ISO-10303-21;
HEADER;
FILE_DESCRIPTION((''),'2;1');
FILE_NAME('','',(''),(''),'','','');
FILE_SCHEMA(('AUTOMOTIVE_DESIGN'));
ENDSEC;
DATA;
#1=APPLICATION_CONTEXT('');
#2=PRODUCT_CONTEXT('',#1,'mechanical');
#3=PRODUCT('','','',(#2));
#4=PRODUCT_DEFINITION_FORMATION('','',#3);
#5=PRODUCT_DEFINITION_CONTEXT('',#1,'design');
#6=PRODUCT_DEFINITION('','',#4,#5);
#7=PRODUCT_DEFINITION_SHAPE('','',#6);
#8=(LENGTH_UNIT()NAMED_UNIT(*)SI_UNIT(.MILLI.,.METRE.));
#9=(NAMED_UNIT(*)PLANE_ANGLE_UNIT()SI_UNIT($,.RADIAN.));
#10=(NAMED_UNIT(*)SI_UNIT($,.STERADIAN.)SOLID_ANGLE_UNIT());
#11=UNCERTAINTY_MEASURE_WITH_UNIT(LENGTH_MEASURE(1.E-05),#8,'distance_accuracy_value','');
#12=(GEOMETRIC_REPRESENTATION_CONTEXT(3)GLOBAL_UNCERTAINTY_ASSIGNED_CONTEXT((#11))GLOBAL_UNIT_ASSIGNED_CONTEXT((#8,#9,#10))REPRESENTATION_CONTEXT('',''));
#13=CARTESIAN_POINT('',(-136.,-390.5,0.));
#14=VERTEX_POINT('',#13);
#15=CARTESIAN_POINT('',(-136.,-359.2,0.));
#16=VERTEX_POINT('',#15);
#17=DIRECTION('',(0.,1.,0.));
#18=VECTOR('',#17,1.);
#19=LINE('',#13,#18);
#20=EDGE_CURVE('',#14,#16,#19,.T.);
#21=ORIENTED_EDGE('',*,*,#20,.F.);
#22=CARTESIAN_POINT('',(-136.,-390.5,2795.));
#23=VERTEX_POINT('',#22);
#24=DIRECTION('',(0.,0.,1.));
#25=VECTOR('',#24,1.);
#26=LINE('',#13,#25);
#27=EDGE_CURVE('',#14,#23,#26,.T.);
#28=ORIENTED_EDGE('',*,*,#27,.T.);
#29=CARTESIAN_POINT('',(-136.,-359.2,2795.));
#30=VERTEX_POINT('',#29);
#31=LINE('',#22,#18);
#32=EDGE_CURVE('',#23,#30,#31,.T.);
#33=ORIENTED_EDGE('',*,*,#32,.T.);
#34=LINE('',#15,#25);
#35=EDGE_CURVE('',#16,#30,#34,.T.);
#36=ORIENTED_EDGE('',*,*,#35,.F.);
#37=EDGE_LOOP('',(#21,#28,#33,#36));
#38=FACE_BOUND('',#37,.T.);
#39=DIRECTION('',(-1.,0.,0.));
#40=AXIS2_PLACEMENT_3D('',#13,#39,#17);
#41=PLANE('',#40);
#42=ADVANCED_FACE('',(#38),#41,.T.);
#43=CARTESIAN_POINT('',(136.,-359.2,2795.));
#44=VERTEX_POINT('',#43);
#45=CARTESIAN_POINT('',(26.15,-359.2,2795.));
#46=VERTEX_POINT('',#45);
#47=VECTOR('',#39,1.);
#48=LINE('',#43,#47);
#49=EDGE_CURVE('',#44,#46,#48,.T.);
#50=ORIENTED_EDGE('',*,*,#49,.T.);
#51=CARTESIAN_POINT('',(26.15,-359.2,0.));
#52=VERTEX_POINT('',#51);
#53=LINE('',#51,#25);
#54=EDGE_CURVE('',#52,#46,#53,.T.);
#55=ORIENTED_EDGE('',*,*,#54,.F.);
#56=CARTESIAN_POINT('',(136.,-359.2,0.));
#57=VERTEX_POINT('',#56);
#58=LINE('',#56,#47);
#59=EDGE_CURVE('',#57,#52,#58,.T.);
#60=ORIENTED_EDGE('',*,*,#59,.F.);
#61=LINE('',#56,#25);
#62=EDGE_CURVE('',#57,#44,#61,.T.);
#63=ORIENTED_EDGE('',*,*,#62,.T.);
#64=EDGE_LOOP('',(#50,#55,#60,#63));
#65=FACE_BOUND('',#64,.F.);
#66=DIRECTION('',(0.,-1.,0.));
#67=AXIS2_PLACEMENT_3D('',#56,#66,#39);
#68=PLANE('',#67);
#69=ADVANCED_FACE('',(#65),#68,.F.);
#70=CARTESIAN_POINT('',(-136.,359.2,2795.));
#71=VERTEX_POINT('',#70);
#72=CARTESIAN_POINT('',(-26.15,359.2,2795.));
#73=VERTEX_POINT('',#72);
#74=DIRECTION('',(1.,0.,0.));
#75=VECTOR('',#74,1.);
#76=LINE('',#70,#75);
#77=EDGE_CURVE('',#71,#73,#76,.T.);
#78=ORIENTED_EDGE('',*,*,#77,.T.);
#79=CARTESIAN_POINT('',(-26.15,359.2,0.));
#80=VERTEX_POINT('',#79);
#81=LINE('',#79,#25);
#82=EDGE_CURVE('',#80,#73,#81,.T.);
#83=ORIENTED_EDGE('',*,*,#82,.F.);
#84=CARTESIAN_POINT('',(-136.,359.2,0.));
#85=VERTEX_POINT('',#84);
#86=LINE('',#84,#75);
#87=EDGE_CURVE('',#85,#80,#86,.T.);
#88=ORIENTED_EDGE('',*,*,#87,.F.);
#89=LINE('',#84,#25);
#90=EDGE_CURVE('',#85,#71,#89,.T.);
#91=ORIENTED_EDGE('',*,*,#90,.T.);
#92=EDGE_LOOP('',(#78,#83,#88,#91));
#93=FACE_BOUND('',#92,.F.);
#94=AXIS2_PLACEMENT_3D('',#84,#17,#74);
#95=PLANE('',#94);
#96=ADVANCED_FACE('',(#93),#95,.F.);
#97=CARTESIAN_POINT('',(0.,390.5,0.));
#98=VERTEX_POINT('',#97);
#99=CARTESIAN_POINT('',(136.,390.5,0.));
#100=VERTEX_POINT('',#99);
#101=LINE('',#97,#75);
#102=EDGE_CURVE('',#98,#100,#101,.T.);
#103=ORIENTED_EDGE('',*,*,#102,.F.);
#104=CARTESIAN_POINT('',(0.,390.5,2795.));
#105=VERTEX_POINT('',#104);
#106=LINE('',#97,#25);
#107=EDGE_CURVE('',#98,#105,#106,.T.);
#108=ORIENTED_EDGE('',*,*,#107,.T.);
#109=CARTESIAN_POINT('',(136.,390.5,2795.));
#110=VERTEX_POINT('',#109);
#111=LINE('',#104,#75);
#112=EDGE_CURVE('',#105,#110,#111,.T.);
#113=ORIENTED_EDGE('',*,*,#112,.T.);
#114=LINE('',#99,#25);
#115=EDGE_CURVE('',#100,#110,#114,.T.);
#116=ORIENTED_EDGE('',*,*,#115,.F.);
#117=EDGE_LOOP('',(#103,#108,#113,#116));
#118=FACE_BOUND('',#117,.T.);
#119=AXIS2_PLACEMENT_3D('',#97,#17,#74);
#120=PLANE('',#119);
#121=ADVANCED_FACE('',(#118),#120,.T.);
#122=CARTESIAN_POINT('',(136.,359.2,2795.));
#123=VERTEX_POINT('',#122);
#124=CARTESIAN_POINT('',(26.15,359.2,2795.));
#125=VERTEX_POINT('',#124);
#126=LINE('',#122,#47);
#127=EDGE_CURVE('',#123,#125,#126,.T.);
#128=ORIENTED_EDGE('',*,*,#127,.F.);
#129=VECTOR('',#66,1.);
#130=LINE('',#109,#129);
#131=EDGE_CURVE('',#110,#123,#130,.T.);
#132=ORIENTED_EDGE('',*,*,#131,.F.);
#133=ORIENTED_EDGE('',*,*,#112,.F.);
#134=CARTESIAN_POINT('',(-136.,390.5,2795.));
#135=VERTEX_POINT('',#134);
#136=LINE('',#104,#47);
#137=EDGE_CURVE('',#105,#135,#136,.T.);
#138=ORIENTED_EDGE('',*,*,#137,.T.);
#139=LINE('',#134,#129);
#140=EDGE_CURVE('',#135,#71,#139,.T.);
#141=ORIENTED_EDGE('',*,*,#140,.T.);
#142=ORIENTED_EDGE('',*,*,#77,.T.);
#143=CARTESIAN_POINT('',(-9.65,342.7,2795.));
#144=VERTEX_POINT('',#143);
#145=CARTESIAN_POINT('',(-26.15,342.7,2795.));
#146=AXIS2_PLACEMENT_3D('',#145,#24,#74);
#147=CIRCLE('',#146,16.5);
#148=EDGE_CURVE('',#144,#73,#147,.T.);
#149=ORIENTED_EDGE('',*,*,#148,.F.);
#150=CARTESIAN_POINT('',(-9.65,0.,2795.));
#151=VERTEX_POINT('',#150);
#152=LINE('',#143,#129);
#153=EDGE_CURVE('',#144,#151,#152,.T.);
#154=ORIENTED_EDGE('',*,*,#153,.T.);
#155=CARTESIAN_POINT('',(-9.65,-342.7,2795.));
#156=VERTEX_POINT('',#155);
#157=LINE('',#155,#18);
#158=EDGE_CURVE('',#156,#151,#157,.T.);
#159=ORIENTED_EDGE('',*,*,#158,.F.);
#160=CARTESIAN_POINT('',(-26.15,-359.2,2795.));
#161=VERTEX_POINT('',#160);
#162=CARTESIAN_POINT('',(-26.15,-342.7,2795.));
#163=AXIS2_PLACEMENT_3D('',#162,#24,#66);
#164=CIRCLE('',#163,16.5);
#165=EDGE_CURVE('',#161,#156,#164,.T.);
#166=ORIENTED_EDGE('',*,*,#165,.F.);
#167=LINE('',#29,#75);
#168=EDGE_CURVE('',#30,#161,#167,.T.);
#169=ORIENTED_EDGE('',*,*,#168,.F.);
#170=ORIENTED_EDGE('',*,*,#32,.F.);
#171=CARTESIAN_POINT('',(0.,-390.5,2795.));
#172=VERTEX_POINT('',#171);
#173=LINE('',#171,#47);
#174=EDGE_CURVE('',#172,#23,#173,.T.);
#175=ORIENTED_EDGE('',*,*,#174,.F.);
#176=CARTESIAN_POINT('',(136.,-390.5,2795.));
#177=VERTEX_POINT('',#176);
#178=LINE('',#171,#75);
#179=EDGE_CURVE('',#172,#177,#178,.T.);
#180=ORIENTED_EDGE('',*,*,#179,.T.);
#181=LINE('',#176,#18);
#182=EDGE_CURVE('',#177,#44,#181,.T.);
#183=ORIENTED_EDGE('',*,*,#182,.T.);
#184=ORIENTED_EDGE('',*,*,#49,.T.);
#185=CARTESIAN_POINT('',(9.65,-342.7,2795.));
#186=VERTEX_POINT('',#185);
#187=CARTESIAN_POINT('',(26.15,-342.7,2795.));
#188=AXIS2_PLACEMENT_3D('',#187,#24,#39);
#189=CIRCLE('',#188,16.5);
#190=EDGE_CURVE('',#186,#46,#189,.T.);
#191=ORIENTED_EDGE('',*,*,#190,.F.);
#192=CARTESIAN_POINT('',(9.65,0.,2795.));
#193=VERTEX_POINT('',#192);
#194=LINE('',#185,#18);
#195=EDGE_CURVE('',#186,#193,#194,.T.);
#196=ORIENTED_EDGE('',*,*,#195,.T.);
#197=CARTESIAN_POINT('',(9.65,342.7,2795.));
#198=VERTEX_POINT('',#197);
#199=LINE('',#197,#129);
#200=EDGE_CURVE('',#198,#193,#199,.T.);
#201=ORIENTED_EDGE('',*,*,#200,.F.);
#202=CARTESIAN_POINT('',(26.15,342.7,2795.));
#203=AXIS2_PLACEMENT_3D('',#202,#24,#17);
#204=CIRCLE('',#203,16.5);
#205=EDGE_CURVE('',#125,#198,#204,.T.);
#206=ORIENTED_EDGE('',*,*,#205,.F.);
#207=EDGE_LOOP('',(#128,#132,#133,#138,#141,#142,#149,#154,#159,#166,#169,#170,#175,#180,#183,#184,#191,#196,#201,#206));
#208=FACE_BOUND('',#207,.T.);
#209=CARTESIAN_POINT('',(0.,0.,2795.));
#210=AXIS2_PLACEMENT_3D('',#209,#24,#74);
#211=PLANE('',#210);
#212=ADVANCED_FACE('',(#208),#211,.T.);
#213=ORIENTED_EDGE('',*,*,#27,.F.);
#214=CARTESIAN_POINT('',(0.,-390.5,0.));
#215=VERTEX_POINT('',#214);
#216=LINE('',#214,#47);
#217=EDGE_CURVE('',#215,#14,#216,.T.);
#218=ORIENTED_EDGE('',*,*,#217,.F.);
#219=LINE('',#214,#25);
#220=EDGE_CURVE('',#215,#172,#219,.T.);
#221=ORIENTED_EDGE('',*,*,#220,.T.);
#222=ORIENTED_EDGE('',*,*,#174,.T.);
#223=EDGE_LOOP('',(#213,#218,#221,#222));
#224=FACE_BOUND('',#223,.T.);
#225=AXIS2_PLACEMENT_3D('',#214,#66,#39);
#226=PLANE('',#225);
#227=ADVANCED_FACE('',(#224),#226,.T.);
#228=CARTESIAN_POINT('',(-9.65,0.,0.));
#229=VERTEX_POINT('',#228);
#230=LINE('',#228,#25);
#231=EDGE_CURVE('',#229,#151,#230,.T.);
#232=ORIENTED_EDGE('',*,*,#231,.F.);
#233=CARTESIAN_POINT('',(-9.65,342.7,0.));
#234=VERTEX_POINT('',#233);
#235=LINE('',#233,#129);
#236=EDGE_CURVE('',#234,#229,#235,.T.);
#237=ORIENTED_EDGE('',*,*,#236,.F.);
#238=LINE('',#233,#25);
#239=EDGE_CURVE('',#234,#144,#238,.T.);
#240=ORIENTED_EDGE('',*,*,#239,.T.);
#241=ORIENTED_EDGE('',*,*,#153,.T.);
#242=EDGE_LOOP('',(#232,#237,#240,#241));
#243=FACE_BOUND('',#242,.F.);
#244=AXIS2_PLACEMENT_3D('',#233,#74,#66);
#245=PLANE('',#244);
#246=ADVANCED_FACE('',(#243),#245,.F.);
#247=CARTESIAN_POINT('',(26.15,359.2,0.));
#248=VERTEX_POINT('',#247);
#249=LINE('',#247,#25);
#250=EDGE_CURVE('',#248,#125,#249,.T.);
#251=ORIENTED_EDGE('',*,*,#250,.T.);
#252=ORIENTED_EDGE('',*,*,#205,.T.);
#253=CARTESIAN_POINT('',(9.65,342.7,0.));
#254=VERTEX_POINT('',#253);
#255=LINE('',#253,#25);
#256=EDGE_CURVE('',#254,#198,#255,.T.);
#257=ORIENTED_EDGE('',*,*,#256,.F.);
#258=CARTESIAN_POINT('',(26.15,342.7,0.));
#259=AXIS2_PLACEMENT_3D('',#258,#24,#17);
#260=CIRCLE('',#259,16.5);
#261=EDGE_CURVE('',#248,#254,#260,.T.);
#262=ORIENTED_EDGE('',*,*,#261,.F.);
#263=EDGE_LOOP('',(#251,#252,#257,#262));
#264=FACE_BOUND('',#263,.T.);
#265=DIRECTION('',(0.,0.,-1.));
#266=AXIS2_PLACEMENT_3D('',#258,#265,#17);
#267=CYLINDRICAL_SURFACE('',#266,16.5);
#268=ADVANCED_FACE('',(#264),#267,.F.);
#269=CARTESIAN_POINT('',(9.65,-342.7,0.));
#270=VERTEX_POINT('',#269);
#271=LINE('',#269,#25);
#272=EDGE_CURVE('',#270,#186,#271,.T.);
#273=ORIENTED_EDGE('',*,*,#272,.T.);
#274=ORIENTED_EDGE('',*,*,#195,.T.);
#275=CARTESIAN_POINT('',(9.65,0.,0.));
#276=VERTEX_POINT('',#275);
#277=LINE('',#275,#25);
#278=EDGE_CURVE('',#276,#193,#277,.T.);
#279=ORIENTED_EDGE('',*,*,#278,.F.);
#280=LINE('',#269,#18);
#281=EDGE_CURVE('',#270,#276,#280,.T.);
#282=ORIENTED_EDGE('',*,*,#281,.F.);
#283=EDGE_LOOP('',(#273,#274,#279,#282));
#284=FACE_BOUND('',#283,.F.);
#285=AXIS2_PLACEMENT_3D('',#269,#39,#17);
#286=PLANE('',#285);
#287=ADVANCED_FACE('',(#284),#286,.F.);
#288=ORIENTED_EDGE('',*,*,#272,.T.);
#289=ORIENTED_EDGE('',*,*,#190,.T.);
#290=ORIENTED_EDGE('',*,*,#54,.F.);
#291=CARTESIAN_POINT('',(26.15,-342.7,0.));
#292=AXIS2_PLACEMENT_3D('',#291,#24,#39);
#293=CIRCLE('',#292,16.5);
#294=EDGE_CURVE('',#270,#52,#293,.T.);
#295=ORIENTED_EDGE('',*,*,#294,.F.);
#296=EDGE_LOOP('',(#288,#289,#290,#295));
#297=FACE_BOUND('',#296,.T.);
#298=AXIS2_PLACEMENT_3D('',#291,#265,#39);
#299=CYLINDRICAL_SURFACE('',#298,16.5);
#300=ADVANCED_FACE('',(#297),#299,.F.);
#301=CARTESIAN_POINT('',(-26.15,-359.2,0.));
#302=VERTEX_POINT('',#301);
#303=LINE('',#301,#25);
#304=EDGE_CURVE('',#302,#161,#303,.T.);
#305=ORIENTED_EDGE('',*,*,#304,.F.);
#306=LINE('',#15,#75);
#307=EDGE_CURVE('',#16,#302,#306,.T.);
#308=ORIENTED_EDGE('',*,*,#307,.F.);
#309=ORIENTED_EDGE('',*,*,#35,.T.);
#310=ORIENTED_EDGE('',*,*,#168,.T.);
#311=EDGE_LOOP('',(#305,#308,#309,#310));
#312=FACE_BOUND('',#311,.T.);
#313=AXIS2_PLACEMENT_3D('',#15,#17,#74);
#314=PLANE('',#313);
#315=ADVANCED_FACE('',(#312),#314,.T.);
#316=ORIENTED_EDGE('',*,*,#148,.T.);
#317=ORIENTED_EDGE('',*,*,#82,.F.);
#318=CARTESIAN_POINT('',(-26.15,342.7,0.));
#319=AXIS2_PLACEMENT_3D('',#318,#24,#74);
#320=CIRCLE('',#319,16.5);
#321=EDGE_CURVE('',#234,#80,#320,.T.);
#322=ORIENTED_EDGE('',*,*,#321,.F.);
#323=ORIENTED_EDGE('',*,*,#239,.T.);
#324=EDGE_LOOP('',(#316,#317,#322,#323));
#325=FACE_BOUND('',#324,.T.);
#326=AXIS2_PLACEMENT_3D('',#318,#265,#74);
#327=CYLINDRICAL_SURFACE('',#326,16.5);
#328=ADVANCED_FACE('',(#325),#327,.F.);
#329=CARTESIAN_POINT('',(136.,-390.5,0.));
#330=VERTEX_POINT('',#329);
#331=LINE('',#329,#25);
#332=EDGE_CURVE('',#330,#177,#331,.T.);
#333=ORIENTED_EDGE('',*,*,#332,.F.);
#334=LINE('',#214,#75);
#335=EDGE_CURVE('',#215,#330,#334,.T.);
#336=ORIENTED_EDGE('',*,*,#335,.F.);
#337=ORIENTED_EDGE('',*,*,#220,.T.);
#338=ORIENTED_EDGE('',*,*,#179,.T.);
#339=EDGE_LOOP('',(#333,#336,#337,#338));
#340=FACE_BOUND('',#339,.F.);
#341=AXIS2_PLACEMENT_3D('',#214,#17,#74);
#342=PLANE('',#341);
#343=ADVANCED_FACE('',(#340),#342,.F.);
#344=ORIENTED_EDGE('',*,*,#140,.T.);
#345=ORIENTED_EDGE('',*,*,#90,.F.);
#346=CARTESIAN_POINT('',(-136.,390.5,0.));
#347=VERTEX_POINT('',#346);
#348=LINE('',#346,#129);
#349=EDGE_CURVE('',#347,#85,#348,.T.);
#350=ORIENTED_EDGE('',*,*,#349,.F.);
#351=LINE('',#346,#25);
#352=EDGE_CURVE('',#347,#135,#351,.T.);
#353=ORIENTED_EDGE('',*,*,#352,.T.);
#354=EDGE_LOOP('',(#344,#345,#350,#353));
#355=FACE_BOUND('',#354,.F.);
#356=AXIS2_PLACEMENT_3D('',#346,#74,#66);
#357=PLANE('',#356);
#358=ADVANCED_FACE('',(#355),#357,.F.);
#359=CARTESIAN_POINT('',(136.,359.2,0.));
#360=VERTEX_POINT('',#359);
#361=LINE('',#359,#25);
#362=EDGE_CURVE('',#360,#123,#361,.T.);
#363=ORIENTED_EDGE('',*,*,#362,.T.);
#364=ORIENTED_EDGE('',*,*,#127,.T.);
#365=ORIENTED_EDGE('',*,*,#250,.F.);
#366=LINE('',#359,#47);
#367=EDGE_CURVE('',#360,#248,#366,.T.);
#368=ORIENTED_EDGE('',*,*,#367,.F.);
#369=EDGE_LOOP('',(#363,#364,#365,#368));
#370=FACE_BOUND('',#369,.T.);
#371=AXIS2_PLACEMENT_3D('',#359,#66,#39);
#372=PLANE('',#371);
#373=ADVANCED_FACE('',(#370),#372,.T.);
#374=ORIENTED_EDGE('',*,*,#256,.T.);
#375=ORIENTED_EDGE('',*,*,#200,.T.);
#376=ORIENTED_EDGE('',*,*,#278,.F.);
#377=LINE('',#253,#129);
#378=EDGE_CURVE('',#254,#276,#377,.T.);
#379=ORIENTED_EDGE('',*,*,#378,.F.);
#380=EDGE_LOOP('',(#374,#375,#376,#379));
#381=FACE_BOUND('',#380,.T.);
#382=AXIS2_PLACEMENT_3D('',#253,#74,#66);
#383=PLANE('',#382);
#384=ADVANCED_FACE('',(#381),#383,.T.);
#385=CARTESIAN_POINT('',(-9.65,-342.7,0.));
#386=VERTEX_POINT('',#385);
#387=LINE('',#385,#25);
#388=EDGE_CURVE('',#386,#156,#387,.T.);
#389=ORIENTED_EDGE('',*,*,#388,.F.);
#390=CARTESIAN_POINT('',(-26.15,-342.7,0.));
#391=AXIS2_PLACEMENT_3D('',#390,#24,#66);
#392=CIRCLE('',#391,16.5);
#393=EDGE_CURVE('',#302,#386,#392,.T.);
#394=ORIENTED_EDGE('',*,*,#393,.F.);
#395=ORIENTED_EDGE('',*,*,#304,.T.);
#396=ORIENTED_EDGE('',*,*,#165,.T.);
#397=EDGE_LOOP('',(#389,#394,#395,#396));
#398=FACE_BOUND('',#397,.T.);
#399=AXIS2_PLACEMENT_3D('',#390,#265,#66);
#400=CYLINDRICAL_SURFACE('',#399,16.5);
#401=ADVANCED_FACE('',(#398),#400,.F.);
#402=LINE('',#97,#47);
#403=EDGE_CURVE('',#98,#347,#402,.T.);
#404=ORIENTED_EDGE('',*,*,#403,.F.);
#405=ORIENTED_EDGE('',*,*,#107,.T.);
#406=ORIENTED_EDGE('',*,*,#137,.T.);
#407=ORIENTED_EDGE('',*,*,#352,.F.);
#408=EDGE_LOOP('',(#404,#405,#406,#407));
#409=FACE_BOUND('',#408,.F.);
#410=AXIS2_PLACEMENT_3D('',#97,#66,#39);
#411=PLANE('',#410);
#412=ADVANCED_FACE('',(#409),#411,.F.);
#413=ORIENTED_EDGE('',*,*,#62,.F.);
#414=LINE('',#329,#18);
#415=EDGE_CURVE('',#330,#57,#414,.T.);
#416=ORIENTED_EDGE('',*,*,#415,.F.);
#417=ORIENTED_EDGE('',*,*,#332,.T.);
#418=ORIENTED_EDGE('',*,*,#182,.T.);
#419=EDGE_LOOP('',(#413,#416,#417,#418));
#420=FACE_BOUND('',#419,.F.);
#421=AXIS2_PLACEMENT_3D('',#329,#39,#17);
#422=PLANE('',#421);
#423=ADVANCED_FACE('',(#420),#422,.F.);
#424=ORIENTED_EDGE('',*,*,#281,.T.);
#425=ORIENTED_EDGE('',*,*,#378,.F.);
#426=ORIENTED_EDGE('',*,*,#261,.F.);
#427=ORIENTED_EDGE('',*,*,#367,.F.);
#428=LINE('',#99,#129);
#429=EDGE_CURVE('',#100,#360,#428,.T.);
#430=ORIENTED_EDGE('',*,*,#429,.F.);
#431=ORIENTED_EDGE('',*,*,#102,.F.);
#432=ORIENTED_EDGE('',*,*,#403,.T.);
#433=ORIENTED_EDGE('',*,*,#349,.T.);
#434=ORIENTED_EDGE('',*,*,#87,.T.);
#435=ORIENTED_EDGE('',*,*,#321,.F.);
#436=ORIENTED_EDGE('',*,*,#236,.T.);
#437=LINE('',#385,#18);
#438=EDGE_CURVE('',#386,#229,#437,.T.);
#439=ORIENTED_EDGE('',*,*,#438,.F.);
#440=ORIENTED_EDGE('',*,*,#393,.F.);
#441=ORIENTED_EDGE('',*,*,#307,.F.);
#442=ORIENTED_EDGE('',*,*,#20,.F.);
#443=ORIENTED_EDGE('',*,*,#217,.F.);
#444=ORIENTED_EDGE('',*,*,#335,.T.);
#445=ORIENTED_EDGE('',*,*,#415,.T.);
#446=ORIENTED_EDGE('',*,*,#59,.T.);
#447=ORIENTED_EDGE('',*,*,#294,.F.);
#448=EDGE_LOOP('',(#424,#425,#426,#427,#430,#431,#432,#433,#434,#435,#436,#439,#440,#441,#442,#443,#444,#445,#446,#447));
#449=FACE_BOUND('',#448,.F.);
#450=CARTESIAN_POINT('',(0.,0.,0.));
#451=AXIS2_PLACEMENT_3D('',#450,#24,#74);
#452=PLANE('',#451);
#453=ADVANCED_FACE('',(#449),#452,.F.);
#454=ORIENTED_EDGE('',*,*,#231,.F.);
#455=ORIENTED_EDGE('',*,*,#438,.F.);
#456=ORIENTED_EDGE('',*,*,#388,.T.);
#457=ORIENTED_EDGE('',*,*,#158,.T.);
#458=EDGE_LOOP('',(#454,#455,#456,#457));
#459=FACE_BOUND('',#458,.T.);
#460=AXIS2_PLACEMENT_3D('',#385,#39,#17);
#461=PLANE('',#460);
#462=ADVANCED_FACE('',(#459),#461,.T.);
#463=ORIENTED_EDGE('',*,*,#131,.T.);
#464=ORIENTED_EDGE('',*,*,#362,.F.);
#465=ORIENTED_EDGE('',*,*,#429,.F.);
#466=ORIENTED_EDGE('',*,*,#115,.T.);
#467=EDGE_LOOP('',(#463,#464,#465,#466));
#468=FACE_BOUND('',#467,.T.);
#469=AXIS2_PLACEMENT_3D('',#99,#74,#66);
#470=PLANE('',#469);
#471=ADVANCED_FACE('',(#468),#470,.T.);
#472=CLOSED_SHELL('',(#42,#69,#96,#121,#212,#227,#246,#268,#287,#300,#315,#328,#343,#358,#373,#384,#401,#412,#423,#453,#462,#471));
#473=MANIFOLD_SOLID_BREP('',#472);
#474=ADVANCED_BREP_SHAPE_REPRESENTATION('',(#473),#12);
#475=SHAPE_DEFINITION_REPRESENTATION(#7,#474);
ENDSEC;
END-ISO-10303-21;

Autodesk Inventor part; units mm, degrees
ref_plane "YZ Plane" through (0, 0, 0) normal (1, 0, 0) x (0, 1, 0)
ref_plane "Start plane" through (0, 0, 0) normal (0, 0, 1) x (1, 0, 0)
ref_plane "End plane" through (0, 0, 2795) normal (0, 0, 1) x (1, 0, 0)
sketch "Sketch" plane through (0, 0, 0) normal (0, 0, 1) x (1, 0, 0)
  line L0 (-136, -390.5) -> (-136, -359.2)
  line L1 (-136, -359.2) -> (-26.15, -359.2)
  line L2 (-9.65, -342.7) -> (-9.65, 0)
  line L3 (-9.65, 0) -> (0, 0) construction
  line L4 (0, 0) -> (0, -390.5) construction
  line L5 (0, -390.5) -> (-136, -390.5)
  line L6 (-60, 0) -> (80, 0) construction
  line L7 (0, -60) -> (0, 80) construction
  line L8 (136, -390.5) -> (136, -359.2)
  line L9 (136, -359.2) -> (26.15, -359.2)
  line L10 (9.65, -342.7) -> (9.65, 0)
  line L11 (9.65, 0) -> (0, 0) construction
  line L12 (0, -390.5) -> (136, -390.5)
  line L13 (-136, 390.5) -> (-136, 359.2)
  line L14 (-136, 359.2) -> (-26.15, 359.2)
  line L15 (-9.65, 342.7) -> (-9.65, 0)
  line L16 (0, 390.5) -> (-136, 390.5)
  line L17 (136, 390.5) -> (136, 359.2)
  line L18 (136, 359.2) -> (26.15, 359.2)
  line L19 (0, 390.5) -> (136, 390.5)
  line L20 (9.65, 342.7) -> (9.65, 0)
  arc A0 (-9.65, 342.7) -> (-26.15, 359.2) centre (-26.15, 342.7) ccw
  arc A1 (26.15, 359.2) -> (9.65, 342.7) centre (26.15, 342.7) ccw
  arc A2 (9.65, -342.7) -> (26.15, -359.2) centre (26.15, -342.7) ccw
  arc A3 (-26.15, -359.2) -> (-9.65, -342.7) centre (-26.15, -342.7) ccw
  line L21 (0, 108) -> (0, -88) construction
  line L22 (-88, 0) -> (108, 0) construction
  point P0 (-9.65, -359.2)
  point P1 (9.65, -359.2)
  point P2 (-9.65, 359.2)
  point P3 (9.65, 359.2)
  dimension "d1" = 390.5
  dimension "d2" = 31.3
  dimension "d3" = 136
  dimension "d4" = 9.65
  dimension "d10" = 16.5
extrude "Body" add sketch "Sketch" along normal up to surface (2795 mm away) from surface at 0
sketch "Sketch4" plane through (0, 0, 0) normal (0, 0, 1) x (1, 0, 0)
  line L0 (0, 0) -> (10, 0)
ref_plane "Work Plane3" through (0, 0, 0) normal (0, -1, 0) x (1, 0, 0)
sketch "Sketch5" plane through (0, 0, 0) normal (0, -1, 0) x (1, 0, 0)
  line L0 (-2, 0) -> (12, 0) projected
  line L1 (-2, 2795) -> (12, 2795) projected
  dimension "d14" = 2795
equation "\"d1\" = 0.5 * G_H"
equation "\"d2\" = G_T1"
equation "\"d3\" = 0.5 * G_W"
equation "\"d4\" = 0.5 * G_T"
equation "\"d10\" = G_IR"
equation "\"d5\" = G_L"
equation "\"G_W\" = 272"
equation "\"G_H\" = 781"
equation "\"G_T\" = 19.3"
equation "\"G_T1\" = 31.3"
equation "\"G_IR\" = 16.5"
equation "\"G_L\" = d14"
equation "\"G_OFFSET_START\" = 0"
equation "\"G_OFFSET_END\" = 0"
equation "\"d12\" = G_OFFSET_END + B_L"
equation "\"B_L\" = 2795"
properties part number "AS 3679-1990 - 760 UB - 244 - 2795" material "Steel, Mild"
